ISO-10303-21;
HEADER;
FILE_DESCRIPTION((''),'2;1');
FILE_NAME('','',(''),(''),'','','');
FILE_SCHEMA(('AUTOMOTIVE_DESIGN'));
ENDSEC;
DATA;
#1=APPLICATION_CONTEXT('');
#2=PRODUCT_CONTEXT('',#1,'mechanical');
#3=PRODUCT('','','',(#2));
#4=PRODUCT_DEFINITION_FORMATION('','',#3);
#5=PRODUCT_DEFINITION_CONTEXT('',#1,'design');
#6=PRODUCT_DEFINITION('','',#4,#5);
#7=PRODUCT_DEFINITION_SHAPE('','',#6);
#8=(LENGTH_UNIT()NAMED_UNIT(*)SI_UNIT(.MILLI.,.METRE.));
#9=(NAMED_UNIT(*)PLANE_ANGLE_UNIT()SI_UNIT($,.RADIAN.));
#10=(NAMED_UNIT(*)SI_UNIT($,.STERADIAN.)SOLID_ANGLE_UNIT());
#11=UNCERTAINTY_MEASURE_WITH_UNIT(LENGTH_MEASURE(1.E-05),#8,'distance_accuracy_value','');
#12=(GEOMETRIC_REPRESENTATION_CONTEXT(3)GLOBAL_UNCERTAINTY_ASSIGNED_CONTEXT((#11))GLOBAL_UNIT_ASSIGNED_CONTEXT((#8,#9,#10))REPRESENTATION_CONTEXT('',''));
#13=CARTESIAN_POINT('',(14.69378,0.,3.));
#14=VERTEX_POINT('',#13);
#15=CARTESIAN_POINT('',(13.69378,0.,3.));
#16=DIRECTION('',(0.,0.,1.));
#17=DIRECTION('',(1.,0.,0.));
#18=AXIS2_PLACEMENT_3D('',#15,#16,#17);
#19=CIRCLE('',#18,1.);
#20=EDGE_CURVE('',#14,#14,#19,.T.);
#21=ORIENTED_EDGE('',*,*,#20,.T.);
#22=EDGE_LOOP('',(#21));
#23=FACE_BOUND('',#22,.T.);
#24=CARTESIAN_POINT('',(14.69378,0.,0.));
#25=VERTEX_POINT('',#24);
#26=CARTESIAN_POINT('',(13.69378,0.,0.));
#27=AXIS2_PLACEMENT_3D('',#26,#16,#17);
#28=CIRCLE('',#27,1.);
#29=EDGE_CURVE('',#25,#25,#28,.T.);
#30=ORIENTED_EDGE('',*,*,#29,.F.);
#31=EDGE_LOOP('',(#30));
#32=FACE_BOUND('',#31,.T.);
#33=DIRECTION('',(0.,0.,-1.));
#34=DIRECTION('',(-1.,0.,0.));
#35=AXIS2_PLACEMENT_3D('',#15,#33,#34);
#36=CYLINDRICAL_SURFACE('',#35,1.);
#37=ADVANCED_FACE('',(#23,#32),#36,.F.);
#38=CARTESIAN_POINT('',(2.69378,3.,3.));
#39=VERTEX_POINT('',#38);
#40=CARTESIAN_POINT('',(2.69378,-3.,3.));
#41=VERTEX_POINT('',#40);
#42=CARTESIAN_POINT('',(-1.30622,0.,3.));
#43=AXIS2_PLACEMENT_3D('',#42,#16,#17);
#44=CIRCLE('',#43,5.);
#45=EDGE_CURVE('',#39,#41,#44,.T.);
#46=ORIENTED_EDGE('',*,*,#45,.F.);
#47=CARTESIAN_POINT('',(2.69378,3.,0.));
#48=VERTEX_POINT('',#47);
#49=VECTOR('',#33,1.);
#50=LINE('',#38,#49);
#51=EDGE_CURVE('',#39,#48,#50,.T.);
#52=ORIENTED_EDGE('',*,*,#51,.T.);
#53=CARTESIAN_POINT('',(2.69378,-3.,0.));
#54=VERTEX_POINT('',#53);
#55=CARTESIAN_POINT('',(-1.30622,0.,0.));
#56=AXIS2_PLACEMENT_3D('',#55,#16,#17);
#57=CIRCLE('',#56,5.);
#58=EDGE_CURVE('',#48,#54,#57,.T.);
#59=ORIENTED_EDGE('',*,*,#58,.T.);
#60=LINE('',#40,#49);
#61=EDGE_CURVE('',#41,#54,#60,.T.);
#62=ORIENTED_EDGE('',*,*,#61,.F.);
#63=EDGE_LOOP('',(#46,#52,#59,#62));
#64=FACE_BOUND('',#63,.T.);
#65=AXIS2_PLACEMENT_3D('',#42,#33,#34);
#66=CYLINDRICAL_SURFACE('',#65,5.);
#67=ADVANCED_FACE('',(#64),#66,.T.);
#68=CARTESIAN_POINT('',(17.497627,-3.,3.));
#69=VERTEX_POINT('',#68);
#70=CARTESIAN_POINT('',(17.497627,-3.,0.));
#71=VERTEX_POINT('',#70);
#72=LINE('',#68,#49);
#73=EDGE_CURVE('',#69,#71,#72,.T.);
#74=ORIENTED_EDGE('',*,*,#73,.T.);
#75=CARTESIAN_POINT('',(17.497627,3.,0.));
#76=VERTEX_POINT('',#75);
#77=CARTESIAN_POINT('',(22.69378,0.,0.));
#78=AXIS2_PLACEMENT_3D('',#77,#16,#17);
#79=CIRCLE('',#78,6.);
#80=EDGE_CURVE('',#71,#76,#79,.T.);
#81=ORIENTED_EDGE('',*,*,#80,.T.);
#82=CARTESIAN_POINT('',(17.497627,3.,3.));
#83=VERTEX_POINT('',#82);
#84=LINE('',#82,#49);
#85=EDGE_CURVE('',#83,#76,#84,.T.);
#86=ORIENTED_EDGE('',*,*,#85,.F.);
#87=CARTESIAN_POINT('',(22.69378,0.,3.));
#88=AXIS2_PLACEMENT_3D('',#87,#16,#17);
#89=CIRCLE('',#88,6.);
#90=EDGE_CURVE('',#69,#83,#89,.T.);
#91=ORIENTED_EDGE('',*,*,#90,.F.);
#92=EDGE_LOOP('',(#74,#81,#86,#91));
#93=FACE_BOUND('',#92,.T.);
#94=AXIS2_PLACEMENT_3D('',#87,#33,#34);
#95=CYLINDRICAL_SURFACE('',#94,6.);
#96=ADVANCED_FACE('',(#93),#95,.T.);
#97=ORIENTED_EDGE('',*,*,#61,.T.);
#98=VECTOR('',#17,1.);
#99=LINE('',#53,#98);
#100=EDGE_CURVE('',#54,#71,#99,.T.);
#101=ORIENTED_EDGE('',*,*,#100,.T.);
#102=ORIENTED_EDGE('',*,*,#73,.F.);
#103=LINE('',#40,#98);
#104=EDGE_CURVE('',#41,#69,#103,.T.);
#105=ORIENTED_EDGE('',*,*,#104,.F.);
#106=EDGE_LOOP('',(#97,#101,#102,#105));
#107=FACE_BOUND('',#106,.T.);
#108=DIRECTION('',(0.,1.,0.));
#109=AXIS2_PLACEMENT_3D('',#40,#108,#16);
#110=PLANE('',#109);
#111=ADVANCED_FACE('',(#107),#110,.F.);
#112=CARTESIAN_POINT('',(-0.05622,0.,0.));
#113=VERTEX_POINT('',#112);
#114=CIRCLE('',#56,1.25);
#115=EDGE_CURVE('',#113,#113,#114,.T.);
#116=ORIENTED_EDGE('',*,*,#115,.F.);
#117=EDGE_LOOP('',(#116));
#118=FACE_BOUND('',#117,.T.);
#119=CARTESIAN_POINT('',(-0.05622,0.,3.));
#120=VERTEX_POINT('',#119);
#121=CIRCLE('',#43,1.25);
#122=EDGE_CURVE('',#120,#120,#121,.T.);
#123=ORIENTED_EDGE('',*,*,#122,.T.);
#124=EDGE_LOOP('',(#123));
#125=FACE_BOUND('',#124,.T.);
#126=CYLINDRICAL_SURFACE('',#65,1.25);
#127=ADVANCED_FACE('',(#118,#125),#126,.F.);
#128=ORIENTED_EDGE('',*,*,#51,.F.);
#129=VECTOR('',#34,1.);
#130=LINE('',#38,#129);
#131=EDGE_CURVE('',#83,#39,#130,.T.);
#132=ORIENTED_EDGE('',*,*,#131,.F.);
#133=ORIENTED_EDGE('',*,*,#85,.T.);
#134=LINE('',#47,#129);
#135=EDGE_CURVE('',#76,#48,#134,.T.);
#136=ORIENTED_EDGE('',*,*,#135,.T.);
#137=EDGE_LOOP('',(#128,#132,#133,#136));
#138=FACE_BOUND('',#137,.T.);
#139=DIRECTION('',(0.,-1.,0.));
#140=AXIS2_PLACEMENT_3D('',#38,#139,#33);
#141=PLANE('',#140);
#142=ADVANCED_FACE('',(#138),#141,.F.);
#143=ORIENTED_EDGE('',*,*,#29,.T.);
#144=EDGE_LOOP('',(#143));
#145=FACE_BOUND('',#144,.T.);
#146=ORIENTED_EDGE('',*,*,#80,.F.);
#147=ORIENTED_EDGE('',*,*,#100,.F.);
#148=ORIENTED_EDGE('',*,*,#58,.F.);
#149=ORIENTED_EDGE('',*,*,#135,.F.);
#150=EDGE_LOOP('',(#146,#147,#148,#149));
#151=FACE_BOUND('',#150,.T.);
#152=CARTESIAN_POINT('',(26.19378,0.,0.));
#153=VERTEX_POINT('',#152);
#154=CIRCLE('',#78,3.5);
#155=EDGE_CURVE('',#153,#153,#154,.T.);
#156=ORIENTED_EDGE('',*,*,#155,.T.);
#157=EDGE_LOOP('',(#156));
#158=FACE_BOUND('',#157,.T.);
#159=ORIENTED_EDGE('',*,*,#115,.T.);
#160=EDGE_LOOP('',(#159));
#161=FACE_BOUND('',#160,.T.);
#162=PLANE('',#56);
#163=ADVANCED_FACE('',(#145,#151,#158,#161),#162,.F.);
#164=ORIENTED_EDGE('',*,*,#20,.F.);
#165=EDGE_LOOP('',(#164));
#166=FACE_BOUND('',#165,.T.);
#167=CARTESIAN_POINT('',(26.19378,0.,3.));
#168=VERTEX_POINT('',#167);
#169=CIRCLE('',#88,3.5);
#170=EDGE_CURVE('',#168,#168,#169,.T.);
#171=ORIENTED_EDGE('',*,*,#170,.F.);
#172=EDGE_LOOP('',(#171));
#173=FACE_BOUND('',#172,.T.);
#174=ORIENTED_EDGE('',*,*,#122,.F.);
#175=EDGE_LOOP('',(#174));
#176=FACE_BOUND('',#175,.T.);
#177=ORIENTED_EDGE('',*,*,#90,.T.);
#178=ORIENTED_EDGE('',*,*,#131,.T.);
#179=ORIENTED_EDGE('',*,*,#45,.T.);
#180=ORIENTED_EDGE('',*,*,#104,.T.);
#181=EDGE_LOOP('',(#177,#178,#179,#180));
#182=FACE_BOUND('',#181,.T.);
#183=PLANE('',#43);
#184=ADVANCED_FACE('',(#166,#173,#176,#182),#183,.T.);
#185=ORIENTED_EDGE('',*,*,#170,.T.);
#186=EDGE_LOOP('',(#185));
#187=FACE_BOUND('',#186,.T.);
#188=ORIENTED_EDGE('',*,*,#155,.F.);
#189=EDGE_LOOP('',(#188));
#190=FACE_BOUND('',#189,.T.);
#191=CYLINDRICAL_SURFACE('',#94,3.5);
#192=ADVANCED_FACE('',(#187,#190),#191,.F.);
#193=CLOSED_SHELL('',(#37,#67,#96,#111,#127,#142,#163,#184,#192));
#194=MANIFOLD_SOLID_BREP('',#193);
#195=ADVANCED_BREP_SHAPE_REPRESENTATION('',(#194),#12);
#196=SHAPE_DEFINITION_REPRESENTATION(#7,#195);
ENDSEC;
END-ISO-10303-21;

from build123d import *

# Parameters (mm, degrees)
SKETCH2_R           = 1.25
SKETCH2_R_2         = 3.5
SKETCH2_R_3         = 1
BOSS_EXTRUDE1_DEPTH = 3


with BuildPart() as part:
    # Sketch2 → Boss-Extrude1 (new body)
    with BuildSketch(Plane.XY):
        with BuildLine():
            Line((2.693779904, 3), (17.497627482, 3))
            ThreePointArc((17.497627482, 3), (28.693779904, 0), (17.497627482, -3))
            Line((17.497627482, -3), (2.693779904, -3))
            ThreePointArc((2.693779904, -3), (-6.306220096, 0), (2.693779904, 3))
        make_face()
        with Locations((-1.306220096, 0)):
            Circle(SKETCH2_R, mode=Mode.SUBTRACT)
        with Locations((22.693779904, 0)):
            Circle(SKETCH2_R_2, mode=Mode.SUBTRACT)
        with Locations((13.693779904, 0)):
            Circle(SKETCH2_R_3, mode=Mode.SUBTRACT)
    extrude(amount=BOSS_EXTRUDE1_DEPTH)


solid = part.part
